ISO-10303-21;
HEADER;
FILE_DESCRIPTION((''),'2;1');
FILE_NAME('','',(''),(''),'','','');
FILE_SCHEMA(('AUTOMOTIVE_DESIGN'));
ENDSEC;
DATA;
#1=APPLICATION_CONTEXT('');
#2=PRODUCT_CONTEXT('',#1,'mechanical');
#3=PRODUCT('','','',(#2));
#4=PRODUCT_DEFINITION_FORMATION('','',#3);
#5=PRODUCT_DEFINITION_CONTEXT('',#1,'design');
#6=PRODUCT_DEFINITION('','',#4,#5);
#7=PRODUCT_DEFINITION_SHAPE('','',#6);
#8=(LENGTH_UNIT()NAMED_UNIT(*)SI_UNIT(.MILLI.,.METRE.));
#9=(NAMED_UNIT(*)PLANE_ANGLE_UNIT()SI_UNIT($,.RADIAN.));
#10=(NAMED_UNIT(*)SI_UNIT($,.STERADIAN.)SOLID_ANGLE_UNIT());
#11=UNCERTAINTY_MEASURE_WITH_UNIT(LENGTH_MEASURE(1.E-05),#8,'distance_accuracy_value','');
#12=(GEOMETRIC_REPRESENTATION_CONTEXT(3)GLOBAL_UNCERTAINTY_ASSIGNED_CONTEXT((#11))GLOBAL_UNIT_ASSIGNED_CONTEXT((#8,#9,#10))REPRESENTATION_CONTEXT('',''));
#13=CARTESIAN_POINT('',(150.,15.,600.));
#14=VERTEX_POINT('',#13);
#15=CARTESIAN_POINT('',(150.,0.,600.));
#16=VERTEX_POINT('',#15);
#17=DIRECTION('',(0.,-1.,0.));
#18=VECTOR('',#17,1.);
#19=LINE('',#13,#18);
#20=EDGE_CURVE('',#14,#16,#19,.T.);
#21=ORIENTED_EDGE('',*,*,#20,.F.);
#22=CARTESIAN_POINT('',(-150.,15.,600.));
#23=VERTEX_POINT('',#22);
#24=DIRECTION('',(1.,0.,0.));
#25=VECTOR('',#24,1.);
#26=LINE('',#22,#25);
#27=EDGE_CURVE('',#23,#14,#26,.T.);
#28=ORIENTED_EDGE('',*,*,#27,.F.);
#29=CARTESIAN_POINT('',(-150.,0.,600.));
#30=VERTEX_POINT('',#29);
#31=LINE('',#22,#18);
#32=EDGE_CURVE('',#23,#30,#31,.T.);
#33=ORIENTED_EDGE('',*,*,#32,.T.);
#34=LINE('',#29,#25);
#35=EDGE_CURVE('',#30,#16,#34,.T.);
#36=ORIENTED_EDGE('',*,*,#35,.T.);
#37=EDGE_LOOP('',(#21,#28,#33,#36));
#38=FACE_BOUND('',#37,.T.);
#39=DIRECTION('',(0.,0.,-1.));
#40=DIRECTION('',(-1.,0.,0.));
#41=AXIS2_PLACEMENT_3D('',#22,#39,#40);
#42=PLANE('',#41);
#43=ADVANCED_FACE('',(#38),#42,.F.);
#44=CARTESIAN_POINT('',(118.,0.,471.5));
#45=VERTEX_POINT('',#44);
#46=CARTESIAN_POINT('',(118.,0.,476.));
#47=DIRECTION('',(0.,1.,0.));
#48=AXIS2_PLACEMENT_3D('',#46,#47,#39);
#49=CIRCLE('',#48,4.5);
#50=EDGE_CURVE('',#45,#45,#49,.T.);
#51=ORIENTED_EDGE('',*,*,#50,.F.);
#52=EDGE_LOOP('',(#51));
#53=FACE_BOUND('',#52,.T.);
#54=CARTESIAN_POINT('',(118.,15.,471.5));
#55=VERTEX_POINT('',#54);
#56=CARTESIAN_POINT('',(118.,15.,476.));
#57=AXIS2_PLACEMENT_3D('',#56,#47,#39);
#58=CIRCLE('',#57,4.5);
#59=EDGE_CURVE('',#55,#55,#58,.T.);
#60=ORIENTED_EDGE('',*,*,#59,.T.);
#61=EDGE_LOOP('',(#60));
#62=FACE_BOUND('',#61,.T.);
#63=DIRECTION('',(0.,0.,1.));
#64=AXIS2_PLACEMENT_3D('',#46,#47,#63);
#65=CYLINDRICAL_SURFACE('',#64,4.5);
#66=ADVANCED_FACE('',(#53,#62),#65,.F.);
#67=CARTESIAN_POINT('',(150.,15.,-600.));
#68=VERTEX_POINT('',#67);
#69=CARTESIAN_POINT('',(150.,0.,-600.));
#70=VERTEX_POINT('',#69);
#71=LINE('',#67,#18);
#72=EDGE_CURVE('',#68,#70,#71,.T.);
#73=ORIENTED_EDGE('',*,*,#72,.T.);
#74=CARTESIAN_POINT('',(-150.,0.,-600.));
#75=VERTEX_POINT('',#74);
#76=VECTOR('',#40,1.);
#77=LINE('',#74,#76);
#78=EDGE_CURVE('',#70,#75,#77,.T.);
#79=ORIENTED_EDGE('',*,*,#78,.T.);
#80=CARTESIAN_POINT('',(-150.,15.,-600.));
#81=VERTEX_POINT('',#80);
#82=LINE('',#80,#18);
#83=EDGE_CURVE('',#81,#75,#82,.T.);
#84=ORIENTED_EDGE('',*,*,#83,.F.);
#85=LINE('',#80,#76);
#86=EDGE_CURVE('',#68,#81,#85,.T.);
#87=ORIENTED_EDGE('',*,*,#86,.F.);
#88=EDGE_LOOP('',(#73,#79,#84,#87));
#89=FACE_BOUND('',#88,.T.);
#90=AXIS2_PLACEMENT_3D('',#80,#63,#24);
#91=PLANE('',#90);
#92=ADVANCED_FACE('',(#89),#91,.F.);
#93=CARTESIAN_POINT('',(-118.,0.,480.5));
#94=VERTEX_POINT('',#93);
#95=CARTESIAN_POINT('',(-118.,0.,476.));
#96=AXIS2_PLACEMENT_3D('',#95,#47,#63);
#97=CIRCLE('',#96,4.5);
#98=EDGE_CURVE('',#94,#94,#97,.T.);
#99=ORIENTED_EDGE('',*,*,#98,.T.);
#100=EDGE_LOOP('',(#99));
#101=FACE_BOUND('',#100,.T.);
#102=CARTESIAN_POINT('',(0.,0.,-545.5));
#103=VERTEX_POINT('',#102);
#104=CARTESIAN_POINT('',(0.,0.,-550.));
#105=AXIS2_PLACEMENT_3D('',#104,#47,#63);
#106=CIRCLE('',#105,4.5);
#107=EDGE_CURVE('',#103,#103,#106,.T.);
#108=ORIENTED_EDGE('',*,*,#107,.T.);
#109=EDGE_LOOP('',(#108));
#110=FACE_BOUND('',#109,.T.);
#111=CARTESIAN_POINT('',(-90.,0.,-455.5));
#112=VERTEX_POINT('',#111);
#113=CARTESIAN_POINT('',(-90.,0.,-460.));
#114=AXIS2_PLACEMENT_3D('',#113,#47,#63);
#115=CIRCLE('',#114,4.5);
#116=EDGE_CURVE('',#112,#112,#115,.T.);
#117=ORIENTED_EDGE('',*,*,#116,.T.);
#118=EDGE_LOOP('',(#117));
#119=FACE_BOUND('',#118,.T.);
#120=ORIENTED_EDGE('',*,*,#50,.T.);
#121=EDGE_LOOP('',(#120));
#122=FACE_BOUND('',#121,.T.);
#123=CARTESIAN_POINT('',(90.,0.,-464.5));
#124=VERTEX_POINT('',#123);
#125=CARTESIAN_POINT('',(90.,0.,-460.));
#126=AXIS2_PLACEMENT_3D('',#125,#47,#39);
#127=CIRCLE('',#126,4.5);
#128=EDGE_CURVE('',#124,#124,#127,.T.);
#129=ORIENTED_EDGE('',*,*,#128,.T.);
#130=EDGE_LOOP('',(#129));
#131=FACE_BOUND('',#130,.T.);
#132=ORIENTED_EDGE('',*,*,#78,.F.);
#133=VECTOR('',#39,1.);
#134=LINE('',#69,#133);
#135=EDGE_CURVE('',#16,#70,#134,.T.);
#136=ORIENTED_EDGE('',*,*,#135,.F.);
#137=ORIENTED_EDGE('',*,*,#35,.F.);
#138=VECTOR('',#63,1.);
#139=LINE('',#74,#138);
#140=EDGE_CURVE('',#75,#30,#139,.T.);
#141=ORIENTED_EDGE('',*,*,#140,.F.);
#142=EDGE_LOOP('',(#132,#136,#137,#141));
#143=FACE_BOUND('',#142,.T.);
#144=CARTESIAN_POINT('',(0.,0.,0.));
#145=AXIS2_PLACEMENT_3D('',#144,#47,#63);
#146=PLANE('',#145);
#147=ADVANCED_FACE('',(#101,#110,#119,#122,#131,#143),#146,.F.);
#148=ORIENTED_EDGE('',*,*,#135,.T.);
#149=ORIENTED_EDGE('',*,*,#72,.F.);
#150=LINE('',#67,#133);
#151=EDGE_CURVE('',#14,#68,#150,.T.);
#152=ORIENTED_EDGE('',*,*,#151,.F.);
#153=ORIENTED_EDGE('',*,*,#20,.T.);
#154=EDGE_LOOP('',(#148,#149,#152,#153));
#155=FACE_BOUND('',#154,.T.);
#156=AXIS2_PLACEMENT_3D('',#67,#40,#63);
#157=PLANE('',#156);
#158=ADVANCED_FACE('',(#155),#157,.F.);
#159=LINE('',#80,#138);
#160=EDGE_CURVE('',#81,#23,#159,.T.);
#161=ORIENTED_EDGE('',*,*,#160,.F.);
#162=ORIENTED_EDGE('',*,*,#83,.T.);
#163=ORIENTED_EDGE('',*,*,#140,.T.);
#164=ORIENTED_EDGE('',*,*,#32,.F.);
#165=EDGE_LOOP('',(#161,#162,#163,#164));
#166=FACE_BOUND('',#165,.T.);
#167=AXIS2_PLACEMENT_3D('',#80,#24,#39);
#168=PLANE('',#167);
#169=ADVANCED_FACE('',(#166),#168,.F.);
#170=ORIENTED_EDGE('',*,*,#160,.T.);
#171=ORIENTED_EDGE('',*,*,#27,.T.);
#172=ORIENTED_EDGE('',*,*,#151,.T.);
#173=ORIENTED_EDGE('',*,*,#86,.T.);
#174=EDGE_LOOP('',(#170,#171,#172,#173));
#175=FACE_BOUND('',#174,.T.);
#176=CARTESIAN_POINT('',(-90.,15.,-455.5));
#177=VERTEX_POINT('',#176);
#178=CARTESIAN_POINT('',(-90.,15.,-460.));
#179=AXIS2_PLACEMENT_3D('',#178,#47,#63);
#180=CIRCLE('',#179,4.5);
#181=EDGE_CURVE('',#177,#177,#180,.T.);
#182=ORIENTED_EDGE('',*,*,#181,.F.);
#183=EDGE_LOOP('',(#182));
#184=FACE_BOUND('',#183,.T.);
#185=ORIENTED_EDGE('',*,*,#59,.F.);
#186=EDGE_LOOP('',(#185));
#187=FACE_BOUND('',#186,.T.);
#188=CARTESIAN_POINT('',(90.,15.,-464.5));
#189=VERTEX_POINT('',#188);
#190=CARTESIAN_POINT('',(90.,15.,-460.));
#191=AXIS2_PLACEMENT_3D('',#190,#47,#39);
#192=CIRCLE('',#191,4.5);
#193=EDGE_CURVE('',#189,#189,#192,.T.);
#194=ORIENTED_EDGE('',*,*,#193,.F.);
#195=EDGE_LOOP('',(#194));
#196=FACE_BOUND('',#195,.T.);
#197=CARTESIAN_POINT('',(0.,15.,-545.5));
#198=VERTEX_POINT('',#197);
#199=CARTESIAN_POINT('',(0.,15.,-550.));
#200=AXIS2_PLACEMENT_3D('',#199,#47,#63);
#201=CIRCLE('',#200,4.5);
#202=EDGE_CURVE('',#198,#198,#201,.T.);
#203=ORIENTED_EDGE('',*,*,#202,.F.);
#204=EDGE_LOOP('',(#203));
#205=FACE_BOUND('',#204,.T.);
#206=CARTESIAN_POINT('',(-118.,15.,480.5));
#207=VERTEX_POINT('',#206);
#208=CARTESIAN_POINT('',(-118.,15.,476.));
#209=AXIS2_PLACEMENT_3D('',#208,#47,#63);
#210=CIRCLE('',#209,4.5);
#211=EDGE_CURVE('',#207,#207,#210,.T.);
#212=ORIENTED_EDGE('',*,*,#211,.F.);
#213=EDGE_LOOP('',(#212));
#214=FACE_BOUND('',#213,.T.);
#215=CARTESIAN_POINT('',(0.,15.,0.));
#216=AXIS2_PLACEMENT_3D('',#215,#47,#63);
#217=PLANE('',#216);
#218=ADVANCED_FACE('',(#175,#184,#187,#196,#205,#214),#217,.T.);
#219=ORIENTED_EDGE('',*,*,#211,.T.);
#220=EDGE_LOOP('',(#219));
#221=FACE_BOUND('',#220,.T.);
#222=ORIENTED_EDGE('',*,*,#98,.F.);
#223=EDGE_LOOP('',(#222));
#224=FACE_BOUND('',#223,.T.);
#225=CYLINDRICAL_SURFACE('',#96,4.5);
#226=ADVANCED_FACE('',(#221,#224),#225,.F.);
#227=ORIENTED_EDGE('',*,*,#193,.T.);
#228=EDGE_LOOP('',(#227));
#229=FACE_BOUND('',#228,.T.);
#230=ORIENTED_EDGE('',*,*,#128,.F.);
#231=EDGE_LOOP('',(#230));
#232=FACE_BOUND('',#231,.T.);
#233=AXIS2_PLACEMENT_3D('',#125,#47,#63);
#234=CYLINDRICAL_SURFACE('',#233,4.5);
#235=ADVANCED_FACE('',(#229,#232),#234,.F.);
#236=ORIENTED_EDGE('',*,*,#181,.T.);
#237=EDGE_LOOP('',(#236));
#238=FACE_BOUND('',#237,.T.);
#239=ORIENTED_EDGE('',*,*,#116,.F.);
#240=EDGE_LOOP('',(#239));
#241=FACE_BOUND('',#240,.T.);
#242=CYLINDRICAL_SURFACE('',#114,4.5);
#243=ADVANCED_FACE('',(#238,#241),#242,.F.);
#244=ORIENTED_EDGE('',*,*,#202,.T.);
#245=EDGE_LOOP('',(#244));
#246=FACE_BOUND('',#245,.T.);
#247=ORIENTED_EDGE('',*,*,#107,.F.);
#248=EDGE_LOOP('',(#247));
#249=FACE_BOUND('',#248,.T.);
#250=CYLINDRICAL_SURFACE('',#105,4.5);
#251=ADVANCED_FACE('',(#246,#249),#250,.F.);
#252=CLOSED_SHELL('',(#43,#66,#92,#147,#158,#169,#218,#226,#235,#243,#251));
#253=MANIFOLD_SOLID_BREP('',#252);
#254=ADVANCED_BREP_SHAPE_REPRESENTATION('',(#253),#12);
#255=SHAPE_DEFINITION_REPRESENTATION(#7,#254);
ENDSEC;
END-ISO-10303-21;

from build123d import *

# Parameters (mm, degrees)
SKETCH1_W           = 300
SKETCH1_H           = 1200
BOSS_EXTRUDE1_DEPTH = 15
SKETCH3_R           = 4.5
CUT_EXTRUDE1_DEPTH  = 16


with BuildPart() as part:
    # Sketch1 → Boss-Extrude1 (new body)
    with BuildSketch(Plane(origin=(0, 0, 0), x_dir=(1, 0, 0), z_dir=(0, 1, 0))):
        Rectangle(SKETCH1_W, SKETCH1_H)
    extrude(amount=BOSS_EXTRUDE1_DEPTH)

    # Sketch3 → Cut-Extrude1 (cut, through all)
    with BuildSketch(Plane(origin=(0, 15, 0), x_dir=(1, 0, 0), z_dir=(0, 1, 0))):
        with Locations((-90, 460)):
            Circle(SKETCH3_R)
        with Locations((90, 460)):
            Circle(SKETCH3_R)
        with Locations((0, 550)):
            Circle(SKETCH3_R)
        with Locations((-118, -476)):
            Circle(SKETCH3_R)
        with Locations((118, -476)):
            Circle(SKETCH3_R)
    extrude(amount=-CUT_EXTRUDE1_DEPTH, mode=Mode.SUBTRACT)


solid = part.part
